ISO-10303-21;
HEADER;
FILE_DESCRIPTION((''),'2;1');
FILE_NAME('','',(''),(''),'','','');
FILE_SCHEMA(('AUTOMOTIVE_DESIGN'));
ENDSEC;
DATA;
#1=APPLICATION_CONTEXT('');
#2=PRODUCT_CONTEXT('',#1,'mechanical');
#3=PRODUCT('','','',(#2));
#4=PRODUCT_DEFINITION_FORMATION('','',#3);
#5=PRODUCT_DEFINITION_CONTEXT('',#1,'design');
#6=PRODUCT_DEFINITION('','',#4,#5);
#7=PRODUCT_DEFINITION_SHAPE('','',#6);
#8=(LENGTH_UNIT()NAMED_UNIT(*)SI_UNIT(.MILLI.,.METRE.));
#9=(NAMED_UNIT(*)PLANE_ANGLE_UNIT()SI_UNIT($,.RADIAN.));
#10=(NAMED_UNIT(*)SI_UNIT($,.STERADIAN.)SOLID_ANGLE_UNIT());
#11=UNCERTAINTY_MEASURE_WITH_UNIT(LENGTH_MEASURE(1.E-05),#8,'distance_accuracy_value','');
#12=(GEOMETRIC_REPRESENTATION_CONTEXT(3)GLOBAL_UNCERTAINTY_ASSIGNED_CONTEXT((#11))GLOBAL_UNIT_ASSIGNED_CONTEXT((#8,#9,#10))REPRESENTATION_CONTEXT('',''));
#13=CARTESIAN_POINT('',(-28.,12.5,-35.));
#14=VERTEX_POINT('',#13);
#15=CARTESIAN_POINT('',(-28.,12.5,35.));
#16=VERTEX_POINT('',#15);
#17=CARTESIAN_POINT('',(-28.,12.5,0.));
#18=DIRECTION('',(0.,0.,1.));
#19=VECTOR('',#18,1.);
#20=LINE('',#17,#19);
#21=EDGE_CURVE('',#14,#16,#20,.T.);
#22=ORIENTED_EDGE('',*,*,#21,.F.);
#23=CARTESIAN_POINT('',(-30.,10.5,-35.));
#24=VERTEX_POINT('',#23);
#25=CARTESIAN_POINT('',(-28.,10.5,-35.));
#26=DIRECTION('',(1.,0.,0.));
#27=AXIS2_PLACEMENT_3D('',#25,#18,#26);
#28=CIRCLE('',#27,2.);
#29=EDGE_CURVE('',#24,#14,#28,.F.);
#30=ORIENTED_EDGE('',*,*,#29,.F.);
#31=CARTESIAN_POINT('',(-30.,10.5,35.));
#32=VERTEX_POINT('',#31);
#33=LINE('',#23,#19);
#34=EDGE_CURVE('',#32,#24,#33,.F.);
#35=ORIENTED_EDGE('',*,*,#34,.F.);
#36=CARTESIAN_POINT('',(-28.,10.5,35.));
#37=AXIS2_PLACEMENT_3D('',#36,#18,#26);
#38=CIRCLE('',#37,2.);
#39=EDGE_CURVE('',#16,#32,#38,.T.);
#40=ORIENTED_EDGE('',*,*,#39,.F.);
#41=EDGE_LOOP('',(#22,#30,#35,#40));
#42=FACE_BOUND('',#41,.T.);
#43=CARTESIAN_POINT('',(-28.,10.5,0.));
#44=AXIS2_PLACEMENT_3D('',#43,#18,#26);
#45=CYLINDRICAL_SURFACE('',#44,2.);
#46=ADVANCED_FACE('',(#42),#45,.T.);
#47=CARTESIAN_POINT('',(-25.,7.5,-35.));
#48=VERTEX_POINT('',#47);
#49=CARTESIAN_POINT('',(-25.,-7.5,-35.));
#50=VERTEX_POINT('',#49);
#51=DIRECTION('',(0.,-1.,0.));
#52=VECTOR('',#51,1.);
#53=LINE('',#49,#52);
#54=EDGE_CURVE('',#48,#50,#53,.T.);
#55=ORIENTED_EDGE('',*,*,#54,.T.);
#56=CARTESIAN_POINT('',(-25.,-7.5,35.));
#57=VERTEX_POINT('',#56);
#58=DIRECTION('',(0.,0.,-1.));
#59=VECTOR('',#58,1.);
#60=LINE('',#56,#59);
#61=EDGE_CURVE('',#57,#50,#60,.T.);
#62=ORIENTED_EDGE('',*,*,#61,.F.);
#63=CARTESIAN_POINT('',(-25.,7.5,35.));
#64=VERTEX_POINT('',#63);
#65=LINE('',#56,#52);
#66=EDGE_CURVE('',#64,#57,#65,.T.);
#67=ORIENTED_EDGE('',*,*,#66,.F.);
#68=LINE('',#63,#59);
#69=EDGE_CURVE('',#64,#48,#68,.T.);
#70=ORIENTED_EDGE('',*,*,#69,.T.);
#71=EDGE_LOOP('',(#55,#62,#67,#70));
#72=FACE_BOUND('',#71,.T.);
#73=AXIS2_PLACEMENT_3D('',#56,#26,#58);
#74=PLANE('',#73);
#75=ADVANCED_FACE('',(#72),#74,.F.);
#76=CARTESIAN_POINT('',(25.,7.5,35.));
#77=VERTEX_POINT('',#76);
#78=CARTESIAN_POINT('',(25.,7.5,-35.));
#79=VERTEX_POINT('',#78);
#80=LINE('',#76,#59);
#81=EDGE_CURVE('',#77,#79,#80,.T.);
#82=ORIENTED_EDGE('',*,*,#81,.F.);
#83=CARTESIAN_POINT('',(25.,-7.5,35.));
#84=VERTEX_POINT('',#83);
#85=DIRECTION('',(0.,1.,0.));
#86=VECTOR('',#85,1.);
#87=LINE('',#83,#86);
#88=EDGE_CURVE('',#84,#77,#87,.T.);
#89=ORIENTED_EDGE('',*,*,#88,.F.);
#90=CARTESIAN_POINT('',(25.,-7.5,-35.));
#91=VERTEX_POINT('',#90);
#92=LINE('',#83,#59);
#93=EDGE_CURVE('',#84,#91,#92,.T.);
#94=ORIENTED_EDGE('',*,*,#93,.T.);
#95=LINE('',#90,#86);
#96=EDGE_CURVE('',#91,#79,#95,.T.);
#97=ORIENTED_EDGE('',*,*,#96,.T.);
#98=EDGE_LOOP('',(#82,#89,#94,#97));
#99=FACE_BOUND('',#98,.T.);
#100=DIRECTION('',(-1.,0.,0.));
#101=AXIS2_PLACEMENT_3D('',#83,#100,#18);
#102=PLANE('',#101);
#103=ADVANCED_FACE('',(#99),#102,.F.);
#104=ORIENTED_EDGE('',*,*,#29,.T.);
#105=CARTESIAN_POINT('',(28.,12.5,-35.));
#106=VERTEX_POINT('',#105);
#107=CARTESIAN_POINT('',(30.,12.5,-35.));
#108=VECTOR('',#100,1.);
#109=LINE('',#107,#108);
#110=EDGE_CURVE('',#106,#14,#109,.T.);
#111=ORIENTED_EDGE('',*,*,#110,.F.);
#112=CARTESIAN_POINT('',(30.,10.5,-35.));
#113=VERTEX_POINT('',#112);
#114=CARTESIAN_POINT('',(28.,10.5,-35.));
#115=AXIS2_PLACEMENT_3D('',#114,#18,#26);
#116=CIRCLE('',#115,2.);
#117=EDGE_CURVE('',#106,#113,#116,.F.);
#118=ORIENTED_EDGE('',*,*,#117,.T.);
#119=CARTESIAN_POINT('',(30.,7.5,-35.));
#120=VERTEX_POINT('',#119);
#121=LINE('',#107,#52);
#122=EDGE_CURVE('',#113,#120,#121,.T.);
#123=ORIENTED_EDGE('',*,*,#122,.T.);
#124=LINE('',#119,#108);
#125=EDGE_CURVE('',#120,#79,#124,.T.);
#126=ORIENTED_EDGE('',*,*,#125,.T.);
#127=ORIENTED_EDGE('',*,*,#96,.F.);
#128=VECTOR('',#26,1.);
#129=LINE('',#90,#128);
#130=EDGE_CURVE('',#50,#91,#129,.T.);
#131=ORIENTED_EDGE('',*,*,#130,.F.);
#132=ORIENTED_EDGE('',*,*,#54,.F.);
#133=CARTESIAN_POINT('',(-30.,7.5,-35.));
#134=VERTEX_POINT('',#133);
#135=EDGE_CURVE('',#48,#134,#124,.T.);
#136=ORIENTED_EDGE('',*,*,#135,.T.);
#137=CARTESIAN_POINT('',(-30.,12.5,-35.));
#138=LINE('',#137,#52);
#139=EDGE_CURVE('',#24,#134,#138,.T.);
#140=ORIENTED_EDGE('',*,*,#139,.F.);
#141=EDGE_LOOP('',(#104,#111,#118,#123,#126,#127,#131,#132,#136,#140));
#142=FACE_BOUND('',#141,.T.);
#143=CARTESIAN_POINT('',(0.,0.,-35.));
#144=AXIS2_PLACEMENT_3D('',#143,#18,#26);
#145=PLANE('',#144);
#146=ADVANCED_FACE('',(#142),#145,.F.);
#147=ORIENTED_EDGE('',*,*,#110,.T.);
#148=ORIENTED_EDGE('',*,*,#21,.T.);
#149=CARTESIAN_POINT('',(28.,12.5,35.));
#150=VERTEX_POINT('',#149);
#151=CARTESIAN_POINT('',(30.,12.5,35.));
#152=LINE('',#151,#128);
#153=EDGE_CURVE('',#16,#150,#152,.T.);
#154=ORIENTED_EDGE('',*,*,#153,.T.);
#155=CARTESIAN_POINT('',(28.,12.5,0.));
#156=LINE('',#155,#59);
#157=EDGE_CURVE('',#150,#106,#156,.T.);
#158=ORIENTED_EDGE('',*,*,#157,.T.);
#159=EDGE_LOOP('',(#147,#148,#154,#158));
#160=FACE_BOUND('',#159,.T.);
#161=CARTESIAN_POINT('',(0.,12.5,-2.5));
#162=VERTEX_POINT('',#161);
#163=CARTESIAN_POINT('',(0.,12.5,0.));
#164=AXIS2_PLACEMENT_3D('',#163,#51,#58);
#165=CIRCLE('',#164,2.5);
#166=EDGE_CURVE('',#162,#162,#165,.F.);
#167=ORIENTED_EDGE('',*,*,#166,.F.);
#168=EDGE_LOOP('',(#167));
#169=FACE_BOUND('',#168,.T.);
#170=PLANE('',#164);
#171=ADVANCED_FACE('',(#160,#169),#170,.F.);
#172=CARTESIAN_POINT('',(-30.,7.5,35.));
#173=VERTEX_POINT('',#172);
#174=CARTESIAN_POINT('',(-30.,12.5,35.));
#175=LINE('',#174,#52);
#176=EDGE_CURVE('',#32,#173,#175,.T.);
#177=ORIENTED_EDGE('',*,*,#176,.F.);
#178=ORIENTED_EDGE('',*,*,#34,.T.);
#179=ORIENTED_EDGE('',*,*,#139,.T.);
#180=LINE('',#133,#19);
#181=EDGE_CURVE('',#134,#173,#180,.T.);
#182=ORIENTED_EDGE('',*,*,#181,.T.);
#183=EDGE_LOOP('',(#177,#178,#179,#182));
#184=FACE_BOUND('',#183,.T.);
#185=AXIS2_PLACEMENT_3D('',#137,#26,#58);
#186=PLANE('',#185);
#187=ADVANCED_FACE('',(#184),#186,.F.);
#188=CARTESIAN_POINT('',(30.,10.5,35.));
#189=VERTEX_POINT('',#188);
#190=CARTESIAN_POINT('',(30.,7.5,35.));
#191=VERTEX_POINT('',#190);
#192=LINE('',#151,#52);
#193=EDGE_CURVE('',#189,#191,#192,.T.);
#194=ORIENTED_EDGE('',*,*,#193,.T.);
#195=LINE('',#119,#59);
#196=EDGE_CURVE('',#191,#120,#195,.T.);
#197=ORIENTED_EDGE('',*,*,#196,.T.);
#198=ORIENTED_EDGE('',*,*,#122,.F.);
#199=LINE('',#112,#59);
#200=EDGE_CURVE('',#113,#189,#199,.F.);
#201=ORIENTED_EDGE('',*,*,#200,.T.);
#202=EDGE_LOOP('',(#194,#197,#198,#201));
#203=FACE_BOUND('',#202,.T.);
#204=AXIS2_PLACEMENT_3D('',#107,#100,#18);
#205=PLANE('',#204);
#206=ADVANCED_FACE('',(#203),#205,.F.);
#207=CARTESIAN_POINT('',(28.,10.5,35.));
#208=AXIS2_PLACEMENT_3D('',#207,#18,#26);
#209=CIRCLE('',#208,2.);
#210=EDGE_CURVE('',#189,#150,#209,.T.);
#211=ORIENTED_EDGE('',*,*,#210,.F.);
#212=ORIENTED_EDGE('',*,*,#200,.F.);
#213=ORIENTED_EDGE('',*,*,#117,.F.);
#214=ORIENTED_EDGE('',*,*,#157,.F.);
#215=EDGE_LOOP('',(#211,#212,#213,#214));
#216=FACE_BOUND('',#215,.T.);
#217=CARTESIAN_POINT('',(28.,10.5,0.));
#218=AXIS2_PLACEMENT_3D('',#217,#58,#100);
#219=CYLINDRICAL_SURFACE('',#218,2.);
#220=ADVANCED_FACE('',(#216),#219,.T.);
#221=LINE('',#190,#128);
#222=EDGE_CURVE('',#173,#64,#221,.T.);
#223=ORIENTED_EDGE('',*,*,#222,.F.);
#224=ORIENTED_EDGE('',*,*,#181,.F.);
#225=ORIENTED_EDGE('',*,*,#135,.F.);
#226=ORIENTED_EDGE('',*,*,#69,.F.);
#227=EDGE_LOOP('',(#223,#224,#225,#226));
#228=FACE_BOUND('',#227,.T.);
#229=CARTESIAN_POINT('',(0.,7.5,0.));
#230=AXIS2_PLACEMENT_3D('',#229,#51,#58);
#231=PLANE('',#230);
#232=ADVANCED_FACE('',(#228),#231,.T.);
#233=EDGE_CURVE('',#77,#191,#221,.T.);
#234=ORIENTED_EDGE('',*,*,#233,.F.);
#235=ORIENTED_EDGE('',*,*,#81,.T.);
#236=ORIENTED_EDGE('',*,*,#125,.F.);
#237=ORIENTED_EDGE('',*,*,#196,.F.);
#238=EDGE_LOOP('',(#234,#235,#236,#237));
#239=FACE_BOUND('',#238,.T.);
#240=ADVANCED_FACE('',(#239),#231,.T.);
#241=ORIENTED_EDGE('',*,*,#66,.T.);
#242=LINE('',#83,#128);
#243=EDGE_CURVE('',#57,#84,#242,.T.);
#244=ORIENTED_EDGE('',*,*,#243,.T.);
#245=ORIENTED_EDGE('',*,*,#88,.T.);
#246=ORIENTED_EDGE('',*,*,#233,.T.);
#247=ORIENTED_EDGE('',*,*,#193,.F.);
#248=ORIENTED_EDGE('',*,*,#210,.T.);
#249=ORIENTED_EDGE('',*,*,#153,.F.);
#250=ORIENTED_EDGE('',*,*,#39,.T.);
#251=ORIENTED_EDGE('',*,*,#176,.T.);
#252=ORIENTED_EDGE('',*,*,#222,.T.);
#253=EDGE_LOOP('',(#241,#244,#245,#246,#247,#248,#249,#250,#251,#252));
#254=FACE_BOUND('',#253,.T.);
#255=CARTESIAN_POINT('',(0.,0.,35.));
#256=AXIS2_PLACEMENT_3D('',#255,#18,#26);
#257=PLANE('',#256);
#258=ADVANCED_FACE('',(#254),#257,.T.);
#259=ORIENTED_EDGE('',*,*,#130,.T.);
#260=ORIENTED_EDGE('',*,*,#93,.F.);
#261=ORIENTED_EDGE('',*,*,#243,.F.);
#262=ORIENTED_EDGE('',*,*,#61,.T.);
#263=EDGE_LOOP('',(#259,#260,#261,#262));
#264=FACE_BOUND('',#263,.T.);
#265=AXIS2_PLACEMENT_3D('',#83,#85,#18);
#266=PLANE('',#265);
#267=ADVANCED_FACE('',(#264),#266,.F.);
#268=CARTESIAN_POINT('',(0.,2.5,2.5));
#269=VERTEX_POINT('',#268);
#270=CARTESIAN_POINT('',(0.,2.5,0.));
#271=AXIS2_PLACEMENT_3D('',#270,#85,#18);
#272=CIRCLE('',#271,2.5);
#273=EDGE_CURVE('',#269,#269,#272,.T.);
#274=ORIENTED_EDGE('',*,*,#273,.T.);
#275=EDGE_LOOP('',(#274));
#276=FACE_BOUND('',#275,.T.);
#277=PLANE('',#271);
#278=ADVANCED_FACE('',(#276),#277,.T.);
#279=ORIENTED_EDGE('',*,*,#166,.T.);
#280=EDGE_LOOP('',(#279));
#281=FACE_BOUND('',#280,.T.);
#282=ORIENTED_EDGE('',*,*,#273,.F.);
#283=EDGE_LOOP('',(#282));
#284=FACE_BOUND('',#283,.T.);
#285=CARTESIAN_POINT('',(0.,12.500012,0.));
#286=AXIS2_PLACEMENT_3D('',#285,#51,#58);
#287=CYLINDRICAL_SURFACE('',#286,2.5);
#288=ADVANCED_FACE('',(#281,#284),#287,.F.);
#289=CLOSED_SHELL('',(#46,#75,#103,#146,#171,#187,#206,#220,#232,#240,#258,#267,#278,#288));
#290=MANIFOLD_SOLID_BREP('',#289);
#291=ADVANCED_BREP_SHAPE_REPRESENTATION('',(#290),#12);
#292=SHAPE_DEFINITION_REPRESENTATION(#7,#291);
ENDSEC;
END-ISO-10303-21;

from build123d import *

# Parameters (mm, degrees)
SKETCH1_W               = 50
SKETCH1_H               = 15
BOSS_EXTRUDE1_DEPTH     = 35
SKETCH3_W               = 60
SKETCH3_H               = 70
BOSS_EXTRUDE2_DEPTH     = 5
SKETCH2_R               = 2.5
CUT_EXTRUDE1_DEPTH      = 1
CUT_EXTRUDE1_DEPTH_BACK = 10
FILLET1_R               = 2


with BuildPart() as part:
    # Sketch1 → Boss-Extrude1 (new body, symmetric)
    with BuildSketch(Plane.XY):
        Rectangle(SKETCH1_W, SKETCH1_H)
    extrude(amount=BOSS_EXTRUDE1_DEPTH, both=True)

    # Sketch3 → Boss-Extrude2 (add)
    with BuildSketch(Plane(origin=(0, 7.5, 0), x_dir=(1, 0, 0), z_dir=(0, 1, 0))):
        Rectangle(SKETCH3_W, SKETCH3_H)
    extrude(amount=BOSS_EXTRUDE2_DEPTH)

    # Sketch2 → Cut-Extrude1 (cut, two sides)
    with BuildSketch(Plane(origin=(0, 12.5, 0), x_dir=(1, 0, 0), z_dir=(0, 1, 0))) as cut_extrude1_sk:
        Circle(SKETCH2_R)
    extrude(amount=CUT_EXTRUDE1_DEPTH, mode=Mode.SUBTRACT)
    extrude(cut_extrude1_sk.sketch, amount=-CUT_EXTRUDE1_DEPTH_BACK, mode=Mode.SUBTRACT)

    # Fillet1
    fillet1_edges = [part.edges().sort_by_distance(p)[0] for p in [
        (-30, 12.5, 0),
        (30, 12.5, 0),
    ]]
    fillet(fillet1_edges, radius=FILLET1_R)


solid = part.part
